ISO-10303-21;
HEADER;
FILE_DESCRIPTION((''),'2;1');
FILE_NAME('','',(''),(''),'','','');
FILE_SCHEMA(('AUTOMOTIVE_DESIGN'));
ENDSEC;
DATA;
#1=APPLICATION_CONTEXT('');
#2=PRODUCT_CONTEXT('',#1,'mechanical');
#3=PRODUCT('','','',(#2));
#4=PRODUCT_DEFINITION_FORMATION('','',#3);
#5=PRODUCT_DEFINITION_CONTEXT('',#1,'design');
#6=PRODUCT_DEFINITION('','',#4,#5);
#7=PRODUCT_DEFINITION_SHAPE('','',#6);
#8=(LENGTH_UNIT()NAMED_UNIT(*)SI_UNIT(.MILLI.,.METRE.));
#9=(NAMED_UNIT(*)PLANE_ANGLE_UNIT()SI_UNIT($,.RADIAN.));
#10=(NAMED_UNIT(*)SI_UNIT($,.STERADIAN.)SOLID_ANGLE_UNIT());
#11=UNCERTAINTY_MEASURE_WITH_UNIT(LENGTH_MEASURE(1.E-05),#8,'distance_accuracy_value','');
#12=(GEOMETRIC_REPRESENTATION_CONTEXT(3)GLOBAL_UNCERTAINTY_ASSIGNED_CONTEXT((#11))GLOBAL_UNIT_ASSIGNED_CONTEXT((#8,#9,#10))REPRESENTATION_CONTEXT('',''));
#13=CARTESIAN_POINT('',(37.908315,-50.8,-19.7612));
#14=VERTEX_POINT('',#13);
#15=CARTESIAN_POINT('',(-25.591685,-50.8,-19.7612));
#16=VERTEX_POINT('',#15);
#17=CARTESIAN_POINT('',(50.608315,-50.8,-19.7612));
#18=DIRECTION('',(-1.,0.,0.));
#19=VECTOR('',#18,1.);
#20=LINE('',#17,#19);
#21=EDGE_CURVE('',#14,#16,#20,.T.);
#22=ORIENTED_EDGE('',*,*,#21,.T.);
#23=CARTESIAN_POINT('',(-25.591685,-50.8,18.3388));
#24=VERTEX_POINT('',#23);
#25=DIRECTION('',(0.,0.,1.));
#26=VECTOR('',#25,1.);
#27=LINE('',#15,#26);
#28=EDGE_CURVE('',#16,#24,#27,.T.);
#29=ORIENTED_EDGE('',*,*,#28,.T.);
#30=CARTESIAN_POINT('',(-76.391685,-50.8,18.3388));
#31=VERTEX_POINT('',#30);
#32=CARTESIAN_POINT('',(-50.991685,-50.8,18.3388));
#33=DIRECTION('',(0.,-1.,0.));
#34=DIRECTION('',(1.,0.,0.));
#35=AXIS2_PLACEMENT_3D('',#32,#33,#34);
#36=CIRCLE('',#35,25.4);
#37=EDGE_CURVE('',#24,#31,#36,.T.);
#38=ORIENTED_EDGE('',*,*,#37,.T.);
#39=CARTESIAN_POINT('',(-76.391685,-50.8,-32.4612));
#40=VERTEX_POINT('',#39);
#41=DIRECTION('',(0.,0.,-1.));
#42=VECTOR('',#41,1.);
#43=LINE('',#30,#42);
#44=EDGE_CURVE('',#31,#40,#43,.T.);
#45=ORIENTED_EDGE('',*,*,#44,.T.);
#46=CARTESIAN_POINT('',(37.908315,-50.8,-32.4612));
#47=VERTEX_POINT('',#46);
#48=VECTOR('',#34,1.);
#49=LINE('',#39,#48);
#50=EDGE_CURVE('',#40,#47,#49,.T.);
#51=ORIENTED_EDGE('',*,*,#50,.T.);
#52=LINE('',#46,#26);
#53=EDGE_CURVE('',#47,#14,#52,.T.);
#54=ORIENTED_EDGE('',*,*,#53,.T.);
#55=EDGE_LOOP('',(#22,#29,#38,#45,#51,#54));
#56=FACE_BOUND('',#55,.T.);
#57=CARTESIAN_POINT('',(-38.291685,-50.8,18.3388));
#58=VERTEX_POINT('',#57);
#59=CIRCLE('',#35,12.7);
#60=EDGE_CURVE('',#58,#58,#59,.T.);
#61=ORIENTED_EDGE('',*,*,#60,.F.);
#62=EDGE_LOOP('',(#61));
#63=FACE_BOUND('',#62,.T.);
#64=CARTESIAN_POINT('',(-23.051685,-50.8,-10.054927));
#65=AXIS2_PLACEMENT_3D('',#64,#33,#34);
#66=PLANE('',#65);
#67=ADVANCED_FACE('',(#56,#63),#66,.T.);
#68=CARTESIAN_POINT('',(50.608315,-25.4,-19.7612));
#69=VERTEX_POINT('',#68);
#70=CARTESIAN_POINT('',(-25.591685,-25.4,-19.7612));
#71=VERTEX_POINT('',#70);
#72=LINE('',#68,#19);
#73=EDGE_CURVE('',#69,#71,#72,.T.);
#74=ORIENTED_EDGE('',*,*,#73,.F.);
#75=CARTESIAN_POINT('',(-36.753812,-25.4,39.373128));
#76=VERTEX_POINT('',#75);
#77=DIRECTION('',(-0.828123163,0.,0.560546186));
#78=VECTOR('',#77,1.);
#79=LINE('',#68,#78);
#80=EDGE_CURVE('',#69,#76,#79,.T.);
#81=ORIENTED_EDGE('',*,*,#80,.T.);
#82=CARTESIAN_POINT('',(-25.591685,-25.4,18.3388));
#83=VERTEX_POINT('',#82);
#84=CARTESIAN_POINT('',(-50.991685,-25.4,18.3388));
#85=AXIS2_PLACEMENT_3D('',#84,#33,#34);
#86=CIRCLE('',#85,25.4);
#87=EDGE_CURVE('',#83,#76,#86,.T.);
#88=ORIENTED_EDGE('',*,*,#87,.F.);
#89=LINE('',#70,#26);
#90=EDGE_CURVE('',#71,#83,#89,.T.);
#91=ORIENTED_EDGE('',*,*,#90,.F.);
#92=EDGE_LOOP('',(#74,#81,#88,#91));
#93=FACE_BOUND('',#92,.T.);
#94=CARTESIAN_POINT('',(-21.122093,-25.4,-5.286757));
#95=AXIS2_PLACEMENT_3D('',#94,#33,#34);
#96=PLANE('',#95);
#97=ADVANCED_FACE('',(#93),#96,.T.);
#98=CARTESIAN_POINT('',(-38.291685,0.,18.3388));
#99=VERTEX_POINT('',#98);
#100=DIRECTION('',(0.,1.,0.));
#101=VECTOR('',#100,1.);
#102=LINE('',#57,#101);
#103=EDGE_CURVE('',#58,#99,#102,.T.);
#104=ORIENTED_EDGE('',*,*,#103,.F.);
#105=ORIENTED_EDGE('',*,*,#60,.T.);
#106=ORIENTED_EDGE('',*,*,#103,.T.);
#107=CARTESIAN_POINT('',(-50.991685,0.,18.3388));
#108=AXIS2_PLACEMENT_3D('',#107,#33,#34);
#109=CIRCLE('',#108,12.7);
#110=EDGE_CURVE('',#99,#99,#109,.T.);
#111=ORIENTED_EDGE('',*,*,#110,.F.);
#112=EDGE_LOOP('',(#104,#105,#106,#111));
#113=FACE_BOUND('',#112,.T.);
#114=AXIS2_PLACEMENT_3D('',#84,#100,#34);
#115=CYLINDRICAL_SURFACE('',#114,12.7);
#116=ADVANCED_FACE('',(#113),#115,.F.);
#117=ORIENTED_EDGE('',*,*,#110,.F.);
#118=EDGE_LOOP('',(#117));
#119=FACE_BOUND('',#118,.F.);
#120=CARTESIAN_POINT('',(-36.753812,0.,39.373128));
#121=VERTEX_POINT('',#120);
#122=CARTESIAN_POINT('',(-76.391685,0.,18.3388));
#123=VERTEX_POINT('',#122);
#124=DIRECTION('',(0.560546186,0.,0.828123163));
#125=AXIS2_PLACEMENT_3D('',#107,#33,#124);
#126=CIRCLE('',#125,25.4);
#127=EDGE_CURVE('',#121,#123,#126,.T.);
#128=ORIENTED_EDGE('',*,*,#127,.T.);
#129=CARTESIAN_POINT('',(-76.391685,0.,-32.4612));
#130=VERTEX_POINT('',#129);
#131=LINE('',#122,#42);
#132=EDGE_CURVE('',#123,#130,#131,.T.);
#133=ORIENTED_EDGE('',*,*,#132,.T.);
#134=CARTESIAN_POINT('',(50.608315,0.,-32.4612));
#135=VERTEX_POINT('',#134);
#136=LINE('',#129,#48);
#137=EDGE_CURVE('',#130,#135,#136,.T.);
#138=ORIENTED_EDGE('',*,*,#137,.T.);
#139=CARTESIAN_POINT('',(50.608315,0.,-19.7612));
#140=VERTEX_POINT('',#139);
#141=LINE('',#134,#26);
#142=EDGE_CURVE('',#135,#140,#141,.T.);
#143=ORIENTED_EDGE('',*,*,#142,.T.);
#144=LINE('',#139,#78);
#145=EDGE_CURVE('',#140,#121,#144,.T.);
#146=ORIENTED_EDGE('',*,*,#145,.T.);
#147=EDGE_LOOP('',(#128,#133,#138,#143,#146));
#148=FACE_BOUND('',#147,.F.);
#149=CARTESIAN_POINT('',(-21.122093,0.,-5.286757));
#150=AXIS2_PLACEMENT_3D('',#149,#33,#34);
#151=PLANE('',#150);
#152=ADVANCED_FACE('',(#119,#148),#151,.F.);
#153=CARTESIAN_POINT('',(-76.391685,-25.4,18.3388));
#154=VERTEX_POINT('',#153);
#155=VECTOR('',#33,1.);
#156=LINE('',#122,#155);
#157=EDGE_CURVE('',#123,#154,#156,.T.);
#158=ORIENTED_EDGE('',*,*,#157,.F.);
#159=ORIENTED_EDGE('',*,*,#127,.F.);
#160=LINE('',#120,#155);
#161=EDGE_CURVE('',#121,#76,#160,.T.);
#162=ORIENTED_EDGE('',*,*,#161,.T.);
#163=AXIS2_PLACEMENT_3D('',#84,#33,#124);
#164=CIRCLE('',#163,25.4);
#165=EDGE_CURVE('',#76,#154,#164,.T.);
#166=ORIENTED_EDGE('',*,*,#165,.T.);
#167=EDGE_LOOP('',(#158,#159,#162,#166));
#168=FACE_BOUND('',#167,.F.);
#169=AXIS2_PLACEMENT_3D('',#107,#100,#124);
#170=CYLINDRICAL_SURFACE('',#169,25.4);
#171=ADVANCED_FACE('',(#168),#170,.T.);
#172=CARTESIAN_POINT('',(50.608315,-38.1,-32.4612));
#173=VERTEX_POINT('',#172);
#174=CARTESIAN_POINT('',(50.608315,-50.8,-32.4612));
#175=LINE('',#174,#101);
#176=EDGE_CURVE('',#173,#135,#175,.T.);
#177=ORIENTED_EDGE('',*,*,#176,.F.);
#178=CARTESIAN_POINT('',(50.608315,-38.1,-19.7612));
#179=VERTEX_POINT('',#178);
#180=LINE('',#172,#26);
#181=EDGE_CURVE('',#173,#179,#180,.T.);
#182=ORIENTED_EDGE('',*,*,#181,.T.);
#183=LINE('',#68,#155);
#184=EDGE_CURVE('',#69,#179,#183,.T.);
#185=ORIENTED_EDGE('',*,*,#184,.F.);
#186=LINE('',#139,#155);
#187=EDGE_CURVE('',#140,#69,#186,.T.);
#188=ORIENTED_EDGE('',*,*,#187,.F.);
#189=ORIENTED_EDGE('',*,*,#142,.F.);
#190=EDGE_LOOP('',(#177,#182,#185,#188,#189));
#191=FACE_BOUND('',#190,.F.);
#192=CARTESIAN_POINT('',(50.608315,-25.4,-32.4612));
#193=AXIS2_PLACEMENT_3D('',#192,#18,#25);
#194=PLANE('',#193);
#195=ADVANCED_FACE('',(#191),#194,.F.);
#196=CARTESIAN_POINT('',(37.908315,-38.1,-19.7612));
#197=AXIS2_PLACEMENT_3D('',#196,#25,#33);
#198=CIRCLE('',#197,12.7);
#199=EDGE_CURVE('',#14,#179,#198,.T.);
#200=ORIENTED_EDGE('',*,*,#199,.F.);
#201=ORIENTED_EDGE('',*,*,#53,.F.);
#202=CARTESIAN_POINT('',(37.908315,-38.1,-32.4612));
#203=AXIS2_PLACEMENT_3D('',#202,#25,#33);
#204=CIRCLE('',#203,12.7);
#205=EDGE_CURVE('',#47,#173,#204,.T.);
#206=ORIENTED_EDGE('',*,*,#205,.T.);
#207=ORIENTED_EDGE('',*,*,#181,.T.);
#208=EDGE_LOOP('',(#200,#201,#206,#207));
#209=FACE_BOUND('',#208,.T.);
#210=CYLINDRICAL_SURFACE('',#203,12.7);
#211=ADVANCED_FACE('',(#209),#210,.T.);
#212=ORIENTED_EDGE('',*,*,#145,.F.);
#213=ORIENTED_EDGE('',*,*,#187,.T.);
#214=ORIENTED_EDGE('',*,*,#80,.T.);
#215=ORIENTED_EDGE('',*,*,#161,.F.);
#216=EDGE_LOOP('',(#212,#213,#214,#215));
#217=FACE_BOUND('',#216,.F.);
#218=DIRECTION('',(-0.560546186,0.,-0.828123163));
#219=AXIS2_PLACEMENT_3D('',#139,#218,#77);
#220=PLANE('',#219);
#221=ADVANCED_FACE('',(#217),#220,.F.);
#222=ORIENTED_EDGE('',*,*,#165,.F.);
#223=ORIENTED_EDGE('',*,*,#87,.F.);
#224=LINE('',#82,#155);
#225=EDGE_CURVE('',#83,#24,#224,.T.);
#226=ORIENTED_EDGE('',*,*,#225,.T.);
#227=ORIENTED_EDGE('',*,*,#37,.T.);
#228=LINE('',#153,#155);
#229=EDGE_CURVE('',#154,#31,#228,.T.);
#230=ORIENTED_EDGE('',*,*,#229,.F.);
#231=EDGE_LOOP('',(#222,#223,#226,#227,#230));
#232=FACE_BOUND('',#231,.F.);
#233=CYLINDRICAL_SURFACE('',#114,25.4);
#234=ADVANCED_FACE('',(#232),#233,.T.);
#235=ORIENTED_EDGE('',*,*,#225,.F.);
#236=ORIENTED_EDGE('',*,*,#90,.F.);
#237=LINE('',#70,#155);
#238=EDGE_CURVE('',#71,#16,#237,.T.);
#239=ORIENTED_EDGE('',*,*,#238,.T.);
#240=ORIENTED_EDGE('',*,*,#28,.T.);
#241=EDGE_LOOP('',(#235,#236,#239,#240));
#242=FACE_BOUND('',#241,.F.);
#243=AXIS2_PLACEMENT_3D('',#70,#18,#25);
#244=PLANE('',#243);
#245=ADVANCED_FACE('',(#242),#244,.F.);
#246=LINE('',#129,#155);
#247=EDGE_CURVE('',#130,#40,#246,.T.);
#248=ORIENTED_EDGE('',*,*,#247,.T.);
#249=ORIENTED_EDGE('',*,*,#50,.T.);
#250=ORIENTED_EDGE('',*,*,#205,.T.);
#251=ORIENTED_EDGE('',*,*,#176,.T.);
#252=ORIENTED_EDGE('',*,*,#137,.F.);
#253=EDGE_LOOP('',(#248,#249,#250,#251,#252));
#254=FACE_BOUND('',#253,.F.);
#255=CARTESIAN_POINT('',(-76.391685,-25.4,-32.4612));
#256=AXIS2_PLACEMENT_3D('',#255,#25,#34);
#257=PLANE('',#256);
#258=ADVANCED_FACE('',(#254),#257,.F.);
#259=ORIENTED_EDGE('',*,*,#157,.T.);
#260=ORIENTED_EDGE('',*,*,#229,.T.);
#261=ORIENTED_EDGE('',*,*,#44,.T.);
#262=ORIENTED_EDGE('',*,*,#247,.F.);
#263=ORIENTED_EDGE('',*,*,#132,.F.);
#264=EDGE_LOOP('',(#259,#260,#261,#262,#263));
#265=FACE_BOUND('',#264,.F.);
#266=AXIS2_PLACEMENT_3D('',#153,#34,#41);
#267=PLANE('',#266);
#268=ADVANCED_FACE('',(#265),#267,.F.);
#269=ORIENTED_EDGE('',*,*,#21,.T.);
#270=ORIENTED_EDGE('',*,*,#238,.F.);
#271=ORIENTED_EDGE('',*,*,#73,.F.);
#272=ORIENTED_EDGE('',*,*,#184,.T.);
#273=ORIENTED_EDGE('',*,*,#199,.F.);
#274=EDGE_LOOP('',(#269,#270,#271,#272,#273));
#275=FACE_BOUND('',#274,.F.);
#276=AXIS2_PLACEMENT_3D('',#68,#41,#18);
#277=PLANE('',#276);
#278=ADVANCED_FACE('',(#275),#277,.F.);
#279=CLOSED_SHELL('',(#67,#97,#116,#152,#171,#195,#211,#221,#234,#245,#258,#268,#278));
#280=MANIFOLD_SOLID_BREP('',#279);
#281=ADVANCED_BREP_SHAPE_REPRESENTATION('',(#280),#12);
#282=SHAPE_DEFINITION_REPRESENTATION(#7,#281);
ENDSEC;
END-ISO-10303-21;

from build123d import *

# Parameters (mm, degrees)
F0_R     = 12.7
F1_DEPTH = 25.4
F2_R     = 12.7
F3_DEPTH = 25.4
F4_R     = 12.7


with BuildPart() as f1:
    # F0 (on Front) → F1 (new body)
    with BuildSketch(Plane.XZ):
        with BuildLine():
            Line((50.6083145556, -19.7611999094), (-36.7538123162, 39.3731284323))
            ThreePointArc((-36.7538123162, 39.3731284323), (-62.897944776, 40.7753994034), (-76.3916854444, 18.3388000906))
            Line((-76.3916854444, 18.3388000906), (-76.3916854444, -32.4611999094))
            Line((-76.3916854444, -32.4611999094), (50.6083145556, -32.4611999094))
            Line((50.6083145556, -32.4611999094), (50.6083145556, -19.7611999094))
        make_face()
        with Locations((-50.9916854444, 18.3388000906)):
            Circle(F0_R, mode=Mode.SUBTRACT)
    extrude(amount=F1_DEPTH)

    # F2 (on face) → F3 (join)
    with BuildSketch(Plane.XZ.offset(25.4)):
        with BuildLine():
            Line((-25.5916854444, -19.7611999094), (-25.5916854444, 18.3388000906))
            ThreePointArc((-25.5916854444, 18.3388000906), (-50.9916854444, 43.7388000906), (-76.3916854444, 18.3388000906))
            Line((-76.3916854444, 18.3388000906), (-76.3916854444, -19.7611999094))
            Line((-76.3916854444, -19.7611999094), (-76.3916854444, -32.4611999094))
            Line((-76.3916854444, -32.4611999094), (50.6083145556, -32.4611999094))
            Line((50.6083145556, -32.4611999094), (50.6083145556, -19.7611999094))
            Line((50.6083145556, -19.7611999094), (-25.5916854444, -19.7611999094))
        make_face()
        with Locations((-50.9916854444, 18.3388000906)):
            Circle(F2_R, mode=Mode.SUBTRACT)
    extrude(amount=F3_DEPTH)

    # F4
    f4_edges = [f1.edges().sort_by_distance(p)[0] for p in [
        (50.608315, -50.8, -26.1112),
    ]]
    fillet(f4_edges, radius=F4_R)


solid = f1.part
